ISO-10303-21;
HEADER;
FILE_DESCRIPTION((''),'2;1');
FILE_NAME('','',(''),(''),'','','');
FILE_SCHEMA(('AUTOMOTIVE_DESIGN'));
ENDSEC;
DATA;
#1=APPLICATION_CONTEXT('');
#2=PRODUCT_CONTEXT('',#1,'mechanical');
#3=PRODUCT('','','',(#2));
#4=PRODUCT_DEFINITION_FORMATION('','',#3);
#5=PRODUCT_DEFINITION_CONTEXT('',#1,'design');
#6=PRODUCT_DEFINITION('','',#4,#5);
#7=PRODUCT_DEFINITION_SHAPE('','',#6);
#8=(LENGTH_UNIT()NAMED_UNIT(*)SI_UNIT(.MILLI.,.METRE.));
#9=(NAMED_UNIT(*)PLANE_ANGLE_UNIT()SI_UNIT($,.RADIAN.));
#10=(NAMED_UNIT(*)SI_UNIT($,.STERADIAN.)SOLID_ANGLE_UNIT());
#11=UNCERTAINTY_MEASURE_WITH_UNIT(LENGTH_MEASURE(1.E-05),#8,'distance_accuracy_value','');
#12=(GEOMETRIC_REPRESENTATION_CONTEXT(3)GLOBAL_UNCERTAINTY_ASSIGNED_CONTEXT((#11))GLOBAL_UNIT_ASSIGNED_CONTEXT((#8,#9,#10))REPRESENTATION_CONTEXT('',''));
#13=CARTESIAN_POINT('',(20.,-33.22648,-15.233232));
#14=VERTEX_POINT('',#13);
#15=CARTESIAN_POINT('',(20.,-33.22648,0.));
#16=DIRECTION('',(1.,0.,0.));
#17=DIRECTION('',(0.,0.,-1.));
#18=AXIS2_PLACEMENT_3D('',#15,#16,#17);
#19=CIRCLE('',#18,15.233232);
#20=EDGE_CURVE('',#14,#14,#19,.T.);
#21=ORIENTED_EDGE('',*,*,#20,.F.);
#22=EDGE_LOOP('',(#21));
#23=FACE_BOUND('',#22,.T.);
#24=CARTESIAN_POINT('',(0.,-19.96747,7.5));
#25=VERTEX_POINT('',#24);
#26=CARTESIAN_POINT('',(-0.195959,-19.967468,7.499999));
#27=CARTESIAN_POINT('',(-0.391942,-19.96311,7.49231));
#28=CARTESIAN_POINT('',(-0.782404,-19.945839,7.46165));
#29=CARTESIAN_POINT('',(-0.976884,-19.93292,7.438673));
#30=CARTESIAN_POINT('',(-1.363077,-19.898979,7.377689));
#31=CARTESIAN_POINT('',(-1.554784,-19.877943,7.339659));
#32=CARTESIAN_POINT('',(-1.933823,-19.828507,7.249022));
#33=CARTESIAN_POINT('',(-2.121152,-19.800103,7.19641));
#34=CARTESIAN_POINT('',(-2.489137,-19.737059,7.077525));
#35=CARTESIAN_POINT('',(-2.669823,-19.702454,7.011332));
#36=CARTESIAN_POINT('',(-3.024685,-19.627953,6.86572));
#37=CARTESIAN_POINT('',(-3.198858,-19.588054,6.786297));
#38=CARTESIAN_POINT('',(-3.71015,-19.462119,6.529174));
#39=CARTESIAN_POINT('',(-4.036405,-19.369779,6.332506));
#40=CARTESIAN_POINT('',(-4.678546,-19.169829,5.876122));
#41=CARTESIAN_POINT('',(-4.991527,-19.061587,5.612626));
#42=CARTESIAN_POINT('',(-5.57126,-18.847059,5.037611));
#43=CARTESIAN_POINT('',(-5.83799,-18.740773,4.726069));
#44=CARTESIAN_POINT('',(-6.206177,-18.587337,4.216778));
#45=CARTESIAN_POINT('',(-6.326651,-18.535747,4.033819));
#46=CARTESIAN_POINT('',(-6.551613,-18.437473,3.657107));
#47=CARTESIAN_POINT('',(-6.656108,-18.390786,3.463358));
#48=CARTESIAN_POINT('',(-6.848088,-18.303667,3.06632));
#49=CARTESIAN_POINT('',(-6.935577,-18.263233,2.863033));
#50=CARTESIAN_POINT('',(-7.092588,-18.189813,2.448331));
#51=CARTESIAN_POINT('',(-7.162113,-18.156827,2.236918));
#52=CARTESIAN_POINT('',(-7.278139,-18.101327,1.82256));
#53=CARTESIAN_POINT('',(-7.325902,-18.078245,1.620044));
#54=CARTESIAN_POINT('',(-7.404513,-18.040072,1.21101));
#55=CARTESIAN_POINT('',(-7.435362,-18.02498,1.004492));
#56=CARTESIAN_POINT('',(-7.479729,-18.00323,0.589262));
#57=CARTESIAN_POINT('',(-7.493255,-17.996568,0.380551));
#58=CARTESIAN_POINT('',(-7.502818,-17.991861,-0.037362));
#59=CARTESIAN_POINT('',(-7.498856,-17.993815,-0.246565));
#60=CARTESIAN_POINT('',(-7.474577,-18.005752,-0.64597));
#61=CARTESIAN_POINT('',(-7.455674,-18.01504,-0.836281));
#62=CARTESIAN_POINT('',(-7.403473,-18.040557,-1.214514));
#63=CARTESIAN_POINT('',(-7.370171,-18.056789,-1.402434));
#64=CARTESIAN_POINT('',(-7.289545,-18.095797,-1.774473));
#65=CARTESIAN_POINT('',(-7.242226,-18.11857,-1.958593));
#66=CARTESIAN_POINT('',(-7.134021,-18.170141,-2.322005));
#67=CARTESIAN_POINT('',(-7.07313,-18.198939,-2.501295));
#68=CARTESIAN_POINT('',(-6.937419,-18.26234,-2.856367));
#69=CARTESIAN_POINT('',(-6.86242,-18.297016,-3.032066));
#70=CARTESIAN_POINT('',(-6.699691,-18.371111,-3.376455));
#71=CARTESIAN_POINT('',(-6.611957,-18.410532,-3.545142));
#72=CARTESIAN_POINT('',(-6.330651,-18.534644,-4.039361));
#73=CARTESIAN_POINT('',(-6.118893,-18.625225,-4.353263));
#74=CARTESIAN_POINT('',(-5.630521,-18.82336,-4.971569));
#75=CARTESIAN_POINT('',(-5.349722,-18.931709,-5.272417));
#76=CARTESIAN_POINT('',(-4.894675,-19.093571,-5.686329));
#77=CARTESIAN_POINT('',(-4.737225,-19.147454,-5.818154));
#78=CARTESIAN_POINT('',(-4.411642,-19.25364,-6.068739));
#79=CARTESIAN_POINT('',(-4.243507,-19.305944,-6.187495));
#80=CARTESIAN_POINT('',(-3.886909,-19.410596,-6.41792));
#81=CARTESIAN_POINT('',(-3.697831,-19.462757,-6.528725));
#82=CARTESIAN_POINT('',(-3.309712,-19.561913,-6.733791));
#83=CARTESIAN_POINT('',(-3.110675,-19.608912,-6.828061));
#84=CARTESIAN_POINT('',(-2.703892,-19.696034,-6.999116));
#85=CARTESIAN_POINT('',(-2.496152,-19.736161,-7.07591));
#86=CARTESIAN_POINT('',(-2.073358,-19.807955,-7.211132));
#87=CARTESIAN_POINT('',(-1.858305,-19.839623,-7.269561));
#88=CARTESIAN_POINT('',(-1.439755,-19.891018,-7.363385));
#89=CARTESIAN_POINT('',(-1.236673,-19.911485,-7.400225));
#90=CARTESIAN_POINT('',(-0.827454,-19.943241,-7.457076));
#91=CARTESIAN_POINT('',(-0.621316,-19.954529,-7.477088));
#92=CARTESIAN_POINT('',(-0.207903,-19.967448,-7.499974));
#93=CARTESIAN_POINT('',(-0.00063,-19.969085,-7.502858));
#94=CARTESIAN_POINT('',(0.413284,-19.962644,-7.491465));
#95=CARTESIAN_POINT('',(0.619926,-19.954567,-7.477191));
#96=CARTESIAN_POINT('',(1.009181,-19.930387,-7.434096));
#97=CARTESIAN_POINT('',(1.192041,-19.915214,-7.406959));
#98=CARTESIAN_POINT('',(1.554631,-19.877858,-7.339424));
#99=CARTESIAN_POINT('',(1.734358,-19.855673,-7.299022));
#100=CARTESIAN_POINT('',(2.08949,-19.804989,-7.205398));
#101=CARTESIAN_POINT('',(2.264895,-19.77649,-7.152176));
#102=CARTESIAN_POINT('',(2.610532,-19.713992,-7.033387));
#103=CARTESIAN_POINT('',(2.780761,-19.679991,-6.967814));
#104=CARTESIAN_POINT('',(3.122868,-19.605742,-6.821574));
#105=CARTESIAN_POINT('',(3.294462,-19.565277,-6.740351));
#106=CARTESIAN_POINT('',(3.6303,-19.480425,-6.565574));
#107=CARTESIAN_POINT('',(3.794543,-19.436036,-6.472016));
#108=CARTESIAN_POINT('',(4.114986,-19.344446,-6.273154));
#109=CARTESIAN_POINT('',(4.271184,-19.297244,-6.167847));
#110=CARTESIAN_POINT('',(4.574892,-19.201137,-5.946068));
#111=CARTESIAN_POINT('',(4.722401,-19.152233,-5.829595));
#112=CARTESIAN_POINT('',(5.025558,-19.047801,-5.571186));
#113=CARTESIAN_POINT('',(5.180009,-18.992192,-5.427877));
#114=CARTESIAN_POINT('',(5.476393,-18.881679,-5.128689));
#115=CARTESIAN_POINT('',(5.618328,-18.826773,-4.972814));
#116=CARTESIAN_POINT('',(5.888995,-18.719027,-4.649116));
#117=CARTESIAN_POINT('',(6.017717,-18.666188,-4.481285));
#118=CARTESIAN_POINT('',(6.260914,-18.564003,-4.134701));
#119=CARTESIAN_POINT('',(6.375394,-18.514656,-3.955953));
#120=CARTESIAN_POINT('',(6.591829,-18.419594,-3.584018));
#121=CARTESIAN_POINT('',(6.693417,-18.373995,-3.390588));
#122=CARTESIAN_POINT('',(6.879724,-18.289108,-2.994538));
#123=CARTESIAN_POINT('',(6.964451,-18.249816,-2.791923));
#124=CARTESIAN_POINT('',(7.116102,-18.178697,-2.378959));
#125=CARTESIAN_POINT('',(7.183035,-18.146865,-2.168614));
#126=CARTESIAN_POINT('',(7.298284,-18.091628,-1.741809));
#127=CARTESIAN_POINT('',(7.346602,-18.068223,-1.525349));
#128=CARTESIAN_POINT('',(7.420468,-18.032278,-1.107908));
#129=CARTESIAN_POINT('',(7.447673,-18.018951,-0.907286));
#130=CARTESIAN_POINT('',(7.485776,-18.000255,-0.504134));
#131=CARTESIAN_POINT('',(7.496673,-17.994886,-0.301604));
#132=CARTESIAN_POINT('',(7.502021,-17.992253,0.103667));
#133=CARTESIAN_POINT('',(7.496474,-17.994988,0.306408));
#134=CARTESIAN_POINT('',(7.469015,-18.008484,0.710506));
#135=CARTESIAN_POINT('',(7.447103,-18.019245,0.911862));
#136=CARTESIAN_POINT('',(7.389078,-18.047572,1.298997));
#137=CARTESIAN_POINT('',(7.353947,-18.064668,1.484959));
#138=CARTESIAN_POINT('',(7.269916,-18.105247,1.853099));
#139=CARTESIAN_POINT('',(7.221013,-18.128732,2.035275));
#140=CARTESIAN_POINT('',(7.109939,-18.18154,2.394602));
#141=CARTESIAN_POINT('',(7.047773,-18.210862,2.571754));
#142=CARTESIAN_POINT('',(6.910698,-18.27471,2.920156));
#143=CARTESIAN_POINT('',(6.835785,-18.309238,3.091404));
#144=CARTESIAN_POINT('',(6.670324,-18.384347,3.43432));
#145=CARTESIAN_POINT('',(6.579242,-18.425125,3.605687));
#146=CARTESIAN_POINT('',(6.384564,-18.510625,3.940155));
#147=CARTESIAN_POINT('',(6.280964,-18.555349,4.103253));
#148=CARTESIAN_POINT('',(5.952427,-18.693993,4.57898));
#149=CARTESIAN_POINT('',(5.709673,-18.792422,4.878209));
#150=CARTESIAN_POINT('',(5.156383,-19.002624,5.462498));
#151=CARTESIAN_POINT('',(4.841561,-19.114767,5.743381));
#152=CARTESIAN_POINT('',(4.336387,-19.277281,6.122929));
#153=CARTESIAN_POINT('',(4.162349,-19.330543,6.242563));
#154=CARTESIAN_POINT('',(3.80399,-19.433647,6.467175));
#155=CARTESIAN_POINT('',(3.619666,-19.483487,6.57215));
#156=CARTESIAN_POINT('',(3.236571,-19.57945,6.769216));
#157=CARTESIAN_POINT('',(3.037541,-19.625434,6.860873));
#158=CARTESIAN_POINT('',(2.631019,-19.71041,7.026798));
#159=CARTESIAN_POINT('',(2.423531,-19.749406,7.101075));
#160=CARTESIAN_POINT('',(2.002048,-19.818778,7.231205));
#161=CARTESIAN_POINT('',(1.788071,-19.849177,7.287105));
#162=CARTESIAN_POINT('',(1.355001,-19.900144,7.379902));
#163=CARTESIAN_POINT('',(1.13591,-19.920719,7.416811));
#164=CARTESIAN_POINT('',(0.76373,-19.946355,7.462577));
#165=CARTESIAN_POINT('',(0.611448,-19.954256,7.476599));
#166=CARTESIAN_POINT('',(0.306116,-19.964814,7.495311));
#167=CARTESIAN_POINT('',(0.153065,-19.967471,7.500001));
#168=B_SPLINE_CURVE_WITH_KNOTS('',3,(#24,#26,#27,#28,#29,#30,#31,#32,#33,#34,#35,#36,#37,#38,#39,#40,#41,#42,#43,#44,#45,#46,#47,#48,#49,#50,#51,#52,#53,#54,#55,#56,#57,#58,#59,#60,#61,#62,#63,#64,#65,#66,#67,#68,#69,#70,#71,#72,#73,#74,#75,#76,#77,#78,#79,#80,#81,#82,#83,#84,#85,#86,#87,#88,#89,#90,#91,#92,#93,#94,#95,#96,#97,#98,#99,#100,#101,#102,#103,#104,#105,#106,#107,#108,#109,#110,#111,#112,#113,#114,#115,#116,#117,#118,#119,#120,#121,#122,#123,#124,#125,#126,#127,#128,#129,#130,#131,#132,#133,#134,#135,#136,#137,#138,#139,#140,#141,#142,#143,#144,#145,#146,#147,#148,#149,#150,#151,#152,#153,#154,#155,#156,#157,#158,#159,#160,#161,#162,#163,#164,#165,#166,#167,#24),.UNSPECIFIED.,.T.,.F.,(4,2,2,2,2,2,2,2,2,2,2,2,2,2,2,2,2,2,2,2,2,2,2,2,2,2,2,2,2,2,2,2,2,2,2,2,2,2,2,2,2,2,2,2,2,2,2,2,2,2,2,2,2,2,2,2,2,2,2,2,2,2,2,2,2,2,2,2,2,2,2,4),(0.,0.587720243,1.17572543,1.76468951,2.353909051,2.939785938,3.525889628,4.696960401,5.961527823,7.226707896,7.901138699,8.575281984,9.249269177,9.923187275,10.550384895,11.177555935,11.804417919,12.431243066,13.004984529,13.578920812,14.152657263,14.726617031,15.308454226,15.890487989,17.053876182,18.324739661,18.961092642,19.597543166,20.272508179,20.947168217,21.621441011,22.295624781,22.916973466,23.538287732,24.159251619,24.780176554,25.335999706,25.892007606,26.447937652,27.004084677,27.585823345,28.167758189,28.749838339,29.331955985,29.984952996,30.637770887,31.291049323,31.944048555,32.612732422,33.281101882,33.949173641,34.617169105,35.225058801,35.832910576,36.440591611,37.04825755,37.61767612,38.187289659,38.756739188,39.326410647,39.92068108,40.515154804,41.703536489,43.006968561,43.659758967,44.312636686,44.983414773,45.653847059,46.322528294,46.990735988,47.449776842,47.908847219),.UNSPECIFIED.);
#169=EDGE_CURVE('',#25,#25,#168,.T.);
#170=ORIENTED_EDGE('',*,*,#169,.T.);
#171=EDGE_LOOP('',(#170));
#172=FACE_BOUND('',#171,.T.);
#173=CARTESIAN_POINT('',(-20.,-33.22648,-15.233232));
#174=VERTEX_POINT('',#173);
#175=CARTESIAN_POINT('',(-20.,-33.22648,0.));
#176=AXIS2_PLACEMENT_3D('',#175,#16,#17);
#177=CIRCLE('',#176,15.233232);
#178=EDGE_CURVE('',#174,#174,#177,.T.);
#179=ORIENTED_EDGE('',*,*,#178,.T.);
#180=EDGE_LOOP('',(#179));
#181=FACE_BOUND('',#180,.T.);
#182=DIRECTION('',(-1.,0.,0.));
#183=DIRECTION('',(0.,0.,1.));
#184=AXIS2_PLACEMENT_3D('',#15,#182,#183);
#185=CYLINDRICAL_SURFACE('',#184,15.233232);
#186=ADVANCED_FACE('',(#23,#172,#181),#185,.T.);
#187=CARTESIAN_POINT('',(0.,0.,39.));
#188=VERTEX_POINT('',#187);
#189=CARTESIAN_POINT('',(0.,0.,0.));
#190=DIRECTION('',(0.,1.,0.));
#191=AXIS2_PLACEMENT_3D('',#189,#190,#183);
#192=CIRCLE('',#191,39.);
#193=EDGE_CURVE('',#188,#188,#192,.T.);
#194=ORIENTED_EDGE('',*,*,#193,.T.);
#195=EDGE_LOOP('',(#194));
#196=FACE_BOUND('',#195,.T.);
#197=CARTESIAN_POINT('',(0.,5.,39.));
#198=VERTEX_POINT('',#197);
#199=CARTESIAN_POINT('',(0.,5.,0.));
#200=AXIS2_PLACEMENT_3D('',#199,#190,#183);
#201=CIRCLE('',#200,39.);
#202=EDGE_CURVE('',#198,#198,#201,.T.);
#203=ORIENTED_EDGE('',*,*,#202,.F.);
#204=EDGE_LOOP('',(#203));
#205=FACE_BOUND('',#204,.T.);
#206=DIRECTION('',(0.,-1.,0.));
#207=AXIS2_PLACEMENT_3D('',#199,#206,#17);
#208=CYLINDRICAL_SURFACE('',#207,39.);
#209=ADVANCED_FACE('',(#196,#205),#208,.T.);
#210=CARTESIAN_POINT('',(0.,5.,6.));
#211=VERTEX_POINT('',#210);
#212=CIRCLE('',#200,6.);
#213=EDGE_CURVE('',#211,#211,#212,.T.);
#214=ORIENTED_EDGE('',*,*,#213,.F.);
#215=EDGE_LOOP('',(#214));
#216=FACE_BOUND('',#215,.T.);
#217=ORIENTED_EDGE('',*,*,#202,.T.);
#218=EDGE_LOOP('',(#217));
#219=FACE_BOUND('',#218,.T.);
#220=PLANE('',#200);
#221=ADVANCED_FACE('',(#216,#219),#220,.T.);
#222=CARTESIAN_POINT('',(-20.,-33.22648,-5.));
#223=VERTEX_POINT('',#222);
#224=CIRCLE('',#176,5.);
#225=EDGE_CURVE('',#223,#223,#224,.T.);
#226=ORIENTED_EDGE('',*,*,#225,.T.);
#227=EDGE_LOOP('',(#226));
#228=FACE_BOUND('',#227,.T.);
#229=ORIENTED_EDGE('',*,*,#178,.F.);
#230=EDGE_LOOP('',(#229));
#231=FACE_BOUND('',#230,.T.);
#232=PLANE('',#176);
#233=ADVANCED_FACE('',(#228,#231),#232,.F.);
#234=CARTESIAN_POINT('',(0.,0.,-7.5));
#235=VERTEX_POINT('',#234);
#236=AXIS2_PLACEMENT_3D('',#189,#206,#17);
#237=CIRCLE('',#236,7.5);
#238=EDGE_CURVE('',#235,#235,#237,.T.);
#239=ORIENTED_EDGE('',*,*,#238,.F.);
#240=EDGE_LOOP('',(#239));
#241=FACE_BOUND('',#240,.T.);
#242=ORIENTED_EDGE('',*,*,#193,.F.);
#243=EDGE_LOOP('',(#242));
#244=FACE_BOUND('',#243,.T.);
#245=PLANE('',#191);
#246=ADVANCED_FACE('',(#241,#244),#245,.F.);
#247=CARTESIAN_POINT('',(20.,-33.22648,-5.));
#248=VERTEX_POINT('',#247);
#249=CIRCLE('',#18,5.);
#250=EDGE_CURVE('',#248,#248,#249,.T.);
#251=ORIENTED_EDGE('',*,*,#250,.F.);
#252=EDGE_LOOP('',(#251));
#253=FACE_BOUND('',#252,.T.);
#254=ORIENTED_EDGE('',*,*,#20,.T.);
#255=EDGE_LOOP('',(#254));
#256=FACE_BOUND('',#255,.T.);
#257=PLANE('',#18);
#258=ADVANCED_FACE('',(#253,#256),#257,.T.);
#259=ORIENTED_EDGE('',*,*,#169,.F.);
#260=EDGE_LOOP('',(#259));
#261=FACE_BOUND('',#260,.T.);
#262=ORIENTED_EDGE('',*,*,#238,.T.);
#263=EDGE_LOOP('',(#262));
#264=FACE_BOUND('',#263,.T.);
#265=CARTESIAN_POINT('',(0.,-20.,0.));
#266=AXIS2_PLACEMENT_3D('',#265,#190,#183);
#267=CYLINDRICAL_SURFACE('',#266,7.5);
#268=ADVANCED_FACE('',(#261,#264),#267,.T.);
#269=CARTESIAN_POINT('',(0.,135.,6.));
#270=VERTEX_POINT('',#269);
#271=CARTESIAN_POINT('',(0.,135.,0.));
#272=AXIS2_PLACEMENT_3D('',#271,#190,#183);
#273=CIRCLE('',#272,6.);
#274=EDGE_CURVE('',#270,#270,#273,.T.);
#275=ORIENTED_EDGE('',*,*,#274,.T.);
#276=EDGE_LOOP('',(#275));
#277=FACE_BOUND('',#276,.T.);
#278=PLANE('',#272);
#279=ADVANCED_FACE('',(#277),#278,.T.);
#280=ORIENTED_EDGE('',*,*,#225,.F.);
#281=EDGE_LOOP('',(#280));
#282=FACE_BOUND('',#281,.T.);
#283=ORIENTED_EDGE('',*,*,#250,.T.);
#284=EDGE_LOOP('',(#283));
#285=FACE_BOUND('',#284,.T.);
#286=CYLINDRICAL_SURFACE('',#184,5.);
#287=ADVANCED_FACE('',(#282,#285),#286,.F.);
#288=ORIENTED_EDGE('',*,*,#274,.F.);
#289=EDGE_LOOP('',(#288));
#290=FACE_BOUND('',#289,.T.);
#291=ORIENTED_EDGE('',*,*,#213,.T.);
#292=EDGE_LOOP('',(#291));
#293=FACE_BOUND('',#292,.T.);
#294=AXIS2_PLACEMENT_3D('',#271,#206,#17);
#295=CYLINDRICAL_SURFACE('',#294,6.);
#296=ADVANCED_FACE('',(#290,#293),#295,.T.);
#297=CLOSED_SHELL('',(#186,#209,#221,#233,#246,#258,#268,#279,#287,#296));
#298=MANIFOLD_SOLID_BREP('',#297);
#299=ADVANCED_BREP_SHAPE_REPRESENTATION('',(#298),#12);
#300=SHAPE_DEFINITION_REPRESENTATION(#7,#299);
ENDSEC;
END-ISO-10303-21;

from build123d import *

# Parameters (mm, degrees)
SKETCH4_R           = 39
BOSS_EXTRUDE2_DEPTH = 5
SKETCH5_R           = 6
BOSS_EXTRUDE3_DEPTH = 130
SKETCH6_R           = 7.5
BOSS_EXTRUDE4_DEPTH = 20
SKETCH8_R           = 15.233231967
SKETCH8_R_2         = 5
BOSS_EXTRUDE5_DEPTH = 20


with BuildPart() as part:
    # Sketch4 → Boss-Extrude2 (new body)
    with BuildSketch(Plane(origin=(0, 0, 0), x_dir=(1, 0, 0), z_dir=(0, 1, 0))):
        with Locations(Location((0, 0, 0), (0, 0, 270))):
            Circle(SKETCH4_R)
    extrude(amount=BOSS_EXTRUDE2_DEPTH)

    # Sketch5 → Boss-Extrude3 (add)
    with BuildSketch(Plane(origin=(0, 5, 0), x_dir=(1, 0, 0), z_dir=(0, 1, 0))):
        with Locations(Location((0, 0, 0), (0, 0, 270))):
            Circle(SKETCH5_R)
    extrude(amount=BOSS_EXTRUDE3_DEPTH)

    # Sketch6 → Boss-Extrude4 (add)
    with BuildSketch(Plane.XZ):
        with Locations(Location((0, 0, 0), (0, 0, 270))):
            Circle(SKETCH6_R)
    extrude(amount=BOSS_EXTRUDE4_DEPTH)

    # Sketch8 → Boss-Extrude5 (add, symmetric)
    with BuildSketch(Plane(origin=(0, 0, 0), x_dir=(0, 0, -1), z_dir=(1, 0, 0))):
        with Locations((0, -33.226479946)):
            Circle(SKETCH8_R)
        with Locations((0, -33.226479946)):
            Circle(SKETCH8_R_2, mode=Mode.SUBTRACT)
    extrude(amount=BOSS_EXTRUDE5_DEPTH, both=True)


solid = part.part
